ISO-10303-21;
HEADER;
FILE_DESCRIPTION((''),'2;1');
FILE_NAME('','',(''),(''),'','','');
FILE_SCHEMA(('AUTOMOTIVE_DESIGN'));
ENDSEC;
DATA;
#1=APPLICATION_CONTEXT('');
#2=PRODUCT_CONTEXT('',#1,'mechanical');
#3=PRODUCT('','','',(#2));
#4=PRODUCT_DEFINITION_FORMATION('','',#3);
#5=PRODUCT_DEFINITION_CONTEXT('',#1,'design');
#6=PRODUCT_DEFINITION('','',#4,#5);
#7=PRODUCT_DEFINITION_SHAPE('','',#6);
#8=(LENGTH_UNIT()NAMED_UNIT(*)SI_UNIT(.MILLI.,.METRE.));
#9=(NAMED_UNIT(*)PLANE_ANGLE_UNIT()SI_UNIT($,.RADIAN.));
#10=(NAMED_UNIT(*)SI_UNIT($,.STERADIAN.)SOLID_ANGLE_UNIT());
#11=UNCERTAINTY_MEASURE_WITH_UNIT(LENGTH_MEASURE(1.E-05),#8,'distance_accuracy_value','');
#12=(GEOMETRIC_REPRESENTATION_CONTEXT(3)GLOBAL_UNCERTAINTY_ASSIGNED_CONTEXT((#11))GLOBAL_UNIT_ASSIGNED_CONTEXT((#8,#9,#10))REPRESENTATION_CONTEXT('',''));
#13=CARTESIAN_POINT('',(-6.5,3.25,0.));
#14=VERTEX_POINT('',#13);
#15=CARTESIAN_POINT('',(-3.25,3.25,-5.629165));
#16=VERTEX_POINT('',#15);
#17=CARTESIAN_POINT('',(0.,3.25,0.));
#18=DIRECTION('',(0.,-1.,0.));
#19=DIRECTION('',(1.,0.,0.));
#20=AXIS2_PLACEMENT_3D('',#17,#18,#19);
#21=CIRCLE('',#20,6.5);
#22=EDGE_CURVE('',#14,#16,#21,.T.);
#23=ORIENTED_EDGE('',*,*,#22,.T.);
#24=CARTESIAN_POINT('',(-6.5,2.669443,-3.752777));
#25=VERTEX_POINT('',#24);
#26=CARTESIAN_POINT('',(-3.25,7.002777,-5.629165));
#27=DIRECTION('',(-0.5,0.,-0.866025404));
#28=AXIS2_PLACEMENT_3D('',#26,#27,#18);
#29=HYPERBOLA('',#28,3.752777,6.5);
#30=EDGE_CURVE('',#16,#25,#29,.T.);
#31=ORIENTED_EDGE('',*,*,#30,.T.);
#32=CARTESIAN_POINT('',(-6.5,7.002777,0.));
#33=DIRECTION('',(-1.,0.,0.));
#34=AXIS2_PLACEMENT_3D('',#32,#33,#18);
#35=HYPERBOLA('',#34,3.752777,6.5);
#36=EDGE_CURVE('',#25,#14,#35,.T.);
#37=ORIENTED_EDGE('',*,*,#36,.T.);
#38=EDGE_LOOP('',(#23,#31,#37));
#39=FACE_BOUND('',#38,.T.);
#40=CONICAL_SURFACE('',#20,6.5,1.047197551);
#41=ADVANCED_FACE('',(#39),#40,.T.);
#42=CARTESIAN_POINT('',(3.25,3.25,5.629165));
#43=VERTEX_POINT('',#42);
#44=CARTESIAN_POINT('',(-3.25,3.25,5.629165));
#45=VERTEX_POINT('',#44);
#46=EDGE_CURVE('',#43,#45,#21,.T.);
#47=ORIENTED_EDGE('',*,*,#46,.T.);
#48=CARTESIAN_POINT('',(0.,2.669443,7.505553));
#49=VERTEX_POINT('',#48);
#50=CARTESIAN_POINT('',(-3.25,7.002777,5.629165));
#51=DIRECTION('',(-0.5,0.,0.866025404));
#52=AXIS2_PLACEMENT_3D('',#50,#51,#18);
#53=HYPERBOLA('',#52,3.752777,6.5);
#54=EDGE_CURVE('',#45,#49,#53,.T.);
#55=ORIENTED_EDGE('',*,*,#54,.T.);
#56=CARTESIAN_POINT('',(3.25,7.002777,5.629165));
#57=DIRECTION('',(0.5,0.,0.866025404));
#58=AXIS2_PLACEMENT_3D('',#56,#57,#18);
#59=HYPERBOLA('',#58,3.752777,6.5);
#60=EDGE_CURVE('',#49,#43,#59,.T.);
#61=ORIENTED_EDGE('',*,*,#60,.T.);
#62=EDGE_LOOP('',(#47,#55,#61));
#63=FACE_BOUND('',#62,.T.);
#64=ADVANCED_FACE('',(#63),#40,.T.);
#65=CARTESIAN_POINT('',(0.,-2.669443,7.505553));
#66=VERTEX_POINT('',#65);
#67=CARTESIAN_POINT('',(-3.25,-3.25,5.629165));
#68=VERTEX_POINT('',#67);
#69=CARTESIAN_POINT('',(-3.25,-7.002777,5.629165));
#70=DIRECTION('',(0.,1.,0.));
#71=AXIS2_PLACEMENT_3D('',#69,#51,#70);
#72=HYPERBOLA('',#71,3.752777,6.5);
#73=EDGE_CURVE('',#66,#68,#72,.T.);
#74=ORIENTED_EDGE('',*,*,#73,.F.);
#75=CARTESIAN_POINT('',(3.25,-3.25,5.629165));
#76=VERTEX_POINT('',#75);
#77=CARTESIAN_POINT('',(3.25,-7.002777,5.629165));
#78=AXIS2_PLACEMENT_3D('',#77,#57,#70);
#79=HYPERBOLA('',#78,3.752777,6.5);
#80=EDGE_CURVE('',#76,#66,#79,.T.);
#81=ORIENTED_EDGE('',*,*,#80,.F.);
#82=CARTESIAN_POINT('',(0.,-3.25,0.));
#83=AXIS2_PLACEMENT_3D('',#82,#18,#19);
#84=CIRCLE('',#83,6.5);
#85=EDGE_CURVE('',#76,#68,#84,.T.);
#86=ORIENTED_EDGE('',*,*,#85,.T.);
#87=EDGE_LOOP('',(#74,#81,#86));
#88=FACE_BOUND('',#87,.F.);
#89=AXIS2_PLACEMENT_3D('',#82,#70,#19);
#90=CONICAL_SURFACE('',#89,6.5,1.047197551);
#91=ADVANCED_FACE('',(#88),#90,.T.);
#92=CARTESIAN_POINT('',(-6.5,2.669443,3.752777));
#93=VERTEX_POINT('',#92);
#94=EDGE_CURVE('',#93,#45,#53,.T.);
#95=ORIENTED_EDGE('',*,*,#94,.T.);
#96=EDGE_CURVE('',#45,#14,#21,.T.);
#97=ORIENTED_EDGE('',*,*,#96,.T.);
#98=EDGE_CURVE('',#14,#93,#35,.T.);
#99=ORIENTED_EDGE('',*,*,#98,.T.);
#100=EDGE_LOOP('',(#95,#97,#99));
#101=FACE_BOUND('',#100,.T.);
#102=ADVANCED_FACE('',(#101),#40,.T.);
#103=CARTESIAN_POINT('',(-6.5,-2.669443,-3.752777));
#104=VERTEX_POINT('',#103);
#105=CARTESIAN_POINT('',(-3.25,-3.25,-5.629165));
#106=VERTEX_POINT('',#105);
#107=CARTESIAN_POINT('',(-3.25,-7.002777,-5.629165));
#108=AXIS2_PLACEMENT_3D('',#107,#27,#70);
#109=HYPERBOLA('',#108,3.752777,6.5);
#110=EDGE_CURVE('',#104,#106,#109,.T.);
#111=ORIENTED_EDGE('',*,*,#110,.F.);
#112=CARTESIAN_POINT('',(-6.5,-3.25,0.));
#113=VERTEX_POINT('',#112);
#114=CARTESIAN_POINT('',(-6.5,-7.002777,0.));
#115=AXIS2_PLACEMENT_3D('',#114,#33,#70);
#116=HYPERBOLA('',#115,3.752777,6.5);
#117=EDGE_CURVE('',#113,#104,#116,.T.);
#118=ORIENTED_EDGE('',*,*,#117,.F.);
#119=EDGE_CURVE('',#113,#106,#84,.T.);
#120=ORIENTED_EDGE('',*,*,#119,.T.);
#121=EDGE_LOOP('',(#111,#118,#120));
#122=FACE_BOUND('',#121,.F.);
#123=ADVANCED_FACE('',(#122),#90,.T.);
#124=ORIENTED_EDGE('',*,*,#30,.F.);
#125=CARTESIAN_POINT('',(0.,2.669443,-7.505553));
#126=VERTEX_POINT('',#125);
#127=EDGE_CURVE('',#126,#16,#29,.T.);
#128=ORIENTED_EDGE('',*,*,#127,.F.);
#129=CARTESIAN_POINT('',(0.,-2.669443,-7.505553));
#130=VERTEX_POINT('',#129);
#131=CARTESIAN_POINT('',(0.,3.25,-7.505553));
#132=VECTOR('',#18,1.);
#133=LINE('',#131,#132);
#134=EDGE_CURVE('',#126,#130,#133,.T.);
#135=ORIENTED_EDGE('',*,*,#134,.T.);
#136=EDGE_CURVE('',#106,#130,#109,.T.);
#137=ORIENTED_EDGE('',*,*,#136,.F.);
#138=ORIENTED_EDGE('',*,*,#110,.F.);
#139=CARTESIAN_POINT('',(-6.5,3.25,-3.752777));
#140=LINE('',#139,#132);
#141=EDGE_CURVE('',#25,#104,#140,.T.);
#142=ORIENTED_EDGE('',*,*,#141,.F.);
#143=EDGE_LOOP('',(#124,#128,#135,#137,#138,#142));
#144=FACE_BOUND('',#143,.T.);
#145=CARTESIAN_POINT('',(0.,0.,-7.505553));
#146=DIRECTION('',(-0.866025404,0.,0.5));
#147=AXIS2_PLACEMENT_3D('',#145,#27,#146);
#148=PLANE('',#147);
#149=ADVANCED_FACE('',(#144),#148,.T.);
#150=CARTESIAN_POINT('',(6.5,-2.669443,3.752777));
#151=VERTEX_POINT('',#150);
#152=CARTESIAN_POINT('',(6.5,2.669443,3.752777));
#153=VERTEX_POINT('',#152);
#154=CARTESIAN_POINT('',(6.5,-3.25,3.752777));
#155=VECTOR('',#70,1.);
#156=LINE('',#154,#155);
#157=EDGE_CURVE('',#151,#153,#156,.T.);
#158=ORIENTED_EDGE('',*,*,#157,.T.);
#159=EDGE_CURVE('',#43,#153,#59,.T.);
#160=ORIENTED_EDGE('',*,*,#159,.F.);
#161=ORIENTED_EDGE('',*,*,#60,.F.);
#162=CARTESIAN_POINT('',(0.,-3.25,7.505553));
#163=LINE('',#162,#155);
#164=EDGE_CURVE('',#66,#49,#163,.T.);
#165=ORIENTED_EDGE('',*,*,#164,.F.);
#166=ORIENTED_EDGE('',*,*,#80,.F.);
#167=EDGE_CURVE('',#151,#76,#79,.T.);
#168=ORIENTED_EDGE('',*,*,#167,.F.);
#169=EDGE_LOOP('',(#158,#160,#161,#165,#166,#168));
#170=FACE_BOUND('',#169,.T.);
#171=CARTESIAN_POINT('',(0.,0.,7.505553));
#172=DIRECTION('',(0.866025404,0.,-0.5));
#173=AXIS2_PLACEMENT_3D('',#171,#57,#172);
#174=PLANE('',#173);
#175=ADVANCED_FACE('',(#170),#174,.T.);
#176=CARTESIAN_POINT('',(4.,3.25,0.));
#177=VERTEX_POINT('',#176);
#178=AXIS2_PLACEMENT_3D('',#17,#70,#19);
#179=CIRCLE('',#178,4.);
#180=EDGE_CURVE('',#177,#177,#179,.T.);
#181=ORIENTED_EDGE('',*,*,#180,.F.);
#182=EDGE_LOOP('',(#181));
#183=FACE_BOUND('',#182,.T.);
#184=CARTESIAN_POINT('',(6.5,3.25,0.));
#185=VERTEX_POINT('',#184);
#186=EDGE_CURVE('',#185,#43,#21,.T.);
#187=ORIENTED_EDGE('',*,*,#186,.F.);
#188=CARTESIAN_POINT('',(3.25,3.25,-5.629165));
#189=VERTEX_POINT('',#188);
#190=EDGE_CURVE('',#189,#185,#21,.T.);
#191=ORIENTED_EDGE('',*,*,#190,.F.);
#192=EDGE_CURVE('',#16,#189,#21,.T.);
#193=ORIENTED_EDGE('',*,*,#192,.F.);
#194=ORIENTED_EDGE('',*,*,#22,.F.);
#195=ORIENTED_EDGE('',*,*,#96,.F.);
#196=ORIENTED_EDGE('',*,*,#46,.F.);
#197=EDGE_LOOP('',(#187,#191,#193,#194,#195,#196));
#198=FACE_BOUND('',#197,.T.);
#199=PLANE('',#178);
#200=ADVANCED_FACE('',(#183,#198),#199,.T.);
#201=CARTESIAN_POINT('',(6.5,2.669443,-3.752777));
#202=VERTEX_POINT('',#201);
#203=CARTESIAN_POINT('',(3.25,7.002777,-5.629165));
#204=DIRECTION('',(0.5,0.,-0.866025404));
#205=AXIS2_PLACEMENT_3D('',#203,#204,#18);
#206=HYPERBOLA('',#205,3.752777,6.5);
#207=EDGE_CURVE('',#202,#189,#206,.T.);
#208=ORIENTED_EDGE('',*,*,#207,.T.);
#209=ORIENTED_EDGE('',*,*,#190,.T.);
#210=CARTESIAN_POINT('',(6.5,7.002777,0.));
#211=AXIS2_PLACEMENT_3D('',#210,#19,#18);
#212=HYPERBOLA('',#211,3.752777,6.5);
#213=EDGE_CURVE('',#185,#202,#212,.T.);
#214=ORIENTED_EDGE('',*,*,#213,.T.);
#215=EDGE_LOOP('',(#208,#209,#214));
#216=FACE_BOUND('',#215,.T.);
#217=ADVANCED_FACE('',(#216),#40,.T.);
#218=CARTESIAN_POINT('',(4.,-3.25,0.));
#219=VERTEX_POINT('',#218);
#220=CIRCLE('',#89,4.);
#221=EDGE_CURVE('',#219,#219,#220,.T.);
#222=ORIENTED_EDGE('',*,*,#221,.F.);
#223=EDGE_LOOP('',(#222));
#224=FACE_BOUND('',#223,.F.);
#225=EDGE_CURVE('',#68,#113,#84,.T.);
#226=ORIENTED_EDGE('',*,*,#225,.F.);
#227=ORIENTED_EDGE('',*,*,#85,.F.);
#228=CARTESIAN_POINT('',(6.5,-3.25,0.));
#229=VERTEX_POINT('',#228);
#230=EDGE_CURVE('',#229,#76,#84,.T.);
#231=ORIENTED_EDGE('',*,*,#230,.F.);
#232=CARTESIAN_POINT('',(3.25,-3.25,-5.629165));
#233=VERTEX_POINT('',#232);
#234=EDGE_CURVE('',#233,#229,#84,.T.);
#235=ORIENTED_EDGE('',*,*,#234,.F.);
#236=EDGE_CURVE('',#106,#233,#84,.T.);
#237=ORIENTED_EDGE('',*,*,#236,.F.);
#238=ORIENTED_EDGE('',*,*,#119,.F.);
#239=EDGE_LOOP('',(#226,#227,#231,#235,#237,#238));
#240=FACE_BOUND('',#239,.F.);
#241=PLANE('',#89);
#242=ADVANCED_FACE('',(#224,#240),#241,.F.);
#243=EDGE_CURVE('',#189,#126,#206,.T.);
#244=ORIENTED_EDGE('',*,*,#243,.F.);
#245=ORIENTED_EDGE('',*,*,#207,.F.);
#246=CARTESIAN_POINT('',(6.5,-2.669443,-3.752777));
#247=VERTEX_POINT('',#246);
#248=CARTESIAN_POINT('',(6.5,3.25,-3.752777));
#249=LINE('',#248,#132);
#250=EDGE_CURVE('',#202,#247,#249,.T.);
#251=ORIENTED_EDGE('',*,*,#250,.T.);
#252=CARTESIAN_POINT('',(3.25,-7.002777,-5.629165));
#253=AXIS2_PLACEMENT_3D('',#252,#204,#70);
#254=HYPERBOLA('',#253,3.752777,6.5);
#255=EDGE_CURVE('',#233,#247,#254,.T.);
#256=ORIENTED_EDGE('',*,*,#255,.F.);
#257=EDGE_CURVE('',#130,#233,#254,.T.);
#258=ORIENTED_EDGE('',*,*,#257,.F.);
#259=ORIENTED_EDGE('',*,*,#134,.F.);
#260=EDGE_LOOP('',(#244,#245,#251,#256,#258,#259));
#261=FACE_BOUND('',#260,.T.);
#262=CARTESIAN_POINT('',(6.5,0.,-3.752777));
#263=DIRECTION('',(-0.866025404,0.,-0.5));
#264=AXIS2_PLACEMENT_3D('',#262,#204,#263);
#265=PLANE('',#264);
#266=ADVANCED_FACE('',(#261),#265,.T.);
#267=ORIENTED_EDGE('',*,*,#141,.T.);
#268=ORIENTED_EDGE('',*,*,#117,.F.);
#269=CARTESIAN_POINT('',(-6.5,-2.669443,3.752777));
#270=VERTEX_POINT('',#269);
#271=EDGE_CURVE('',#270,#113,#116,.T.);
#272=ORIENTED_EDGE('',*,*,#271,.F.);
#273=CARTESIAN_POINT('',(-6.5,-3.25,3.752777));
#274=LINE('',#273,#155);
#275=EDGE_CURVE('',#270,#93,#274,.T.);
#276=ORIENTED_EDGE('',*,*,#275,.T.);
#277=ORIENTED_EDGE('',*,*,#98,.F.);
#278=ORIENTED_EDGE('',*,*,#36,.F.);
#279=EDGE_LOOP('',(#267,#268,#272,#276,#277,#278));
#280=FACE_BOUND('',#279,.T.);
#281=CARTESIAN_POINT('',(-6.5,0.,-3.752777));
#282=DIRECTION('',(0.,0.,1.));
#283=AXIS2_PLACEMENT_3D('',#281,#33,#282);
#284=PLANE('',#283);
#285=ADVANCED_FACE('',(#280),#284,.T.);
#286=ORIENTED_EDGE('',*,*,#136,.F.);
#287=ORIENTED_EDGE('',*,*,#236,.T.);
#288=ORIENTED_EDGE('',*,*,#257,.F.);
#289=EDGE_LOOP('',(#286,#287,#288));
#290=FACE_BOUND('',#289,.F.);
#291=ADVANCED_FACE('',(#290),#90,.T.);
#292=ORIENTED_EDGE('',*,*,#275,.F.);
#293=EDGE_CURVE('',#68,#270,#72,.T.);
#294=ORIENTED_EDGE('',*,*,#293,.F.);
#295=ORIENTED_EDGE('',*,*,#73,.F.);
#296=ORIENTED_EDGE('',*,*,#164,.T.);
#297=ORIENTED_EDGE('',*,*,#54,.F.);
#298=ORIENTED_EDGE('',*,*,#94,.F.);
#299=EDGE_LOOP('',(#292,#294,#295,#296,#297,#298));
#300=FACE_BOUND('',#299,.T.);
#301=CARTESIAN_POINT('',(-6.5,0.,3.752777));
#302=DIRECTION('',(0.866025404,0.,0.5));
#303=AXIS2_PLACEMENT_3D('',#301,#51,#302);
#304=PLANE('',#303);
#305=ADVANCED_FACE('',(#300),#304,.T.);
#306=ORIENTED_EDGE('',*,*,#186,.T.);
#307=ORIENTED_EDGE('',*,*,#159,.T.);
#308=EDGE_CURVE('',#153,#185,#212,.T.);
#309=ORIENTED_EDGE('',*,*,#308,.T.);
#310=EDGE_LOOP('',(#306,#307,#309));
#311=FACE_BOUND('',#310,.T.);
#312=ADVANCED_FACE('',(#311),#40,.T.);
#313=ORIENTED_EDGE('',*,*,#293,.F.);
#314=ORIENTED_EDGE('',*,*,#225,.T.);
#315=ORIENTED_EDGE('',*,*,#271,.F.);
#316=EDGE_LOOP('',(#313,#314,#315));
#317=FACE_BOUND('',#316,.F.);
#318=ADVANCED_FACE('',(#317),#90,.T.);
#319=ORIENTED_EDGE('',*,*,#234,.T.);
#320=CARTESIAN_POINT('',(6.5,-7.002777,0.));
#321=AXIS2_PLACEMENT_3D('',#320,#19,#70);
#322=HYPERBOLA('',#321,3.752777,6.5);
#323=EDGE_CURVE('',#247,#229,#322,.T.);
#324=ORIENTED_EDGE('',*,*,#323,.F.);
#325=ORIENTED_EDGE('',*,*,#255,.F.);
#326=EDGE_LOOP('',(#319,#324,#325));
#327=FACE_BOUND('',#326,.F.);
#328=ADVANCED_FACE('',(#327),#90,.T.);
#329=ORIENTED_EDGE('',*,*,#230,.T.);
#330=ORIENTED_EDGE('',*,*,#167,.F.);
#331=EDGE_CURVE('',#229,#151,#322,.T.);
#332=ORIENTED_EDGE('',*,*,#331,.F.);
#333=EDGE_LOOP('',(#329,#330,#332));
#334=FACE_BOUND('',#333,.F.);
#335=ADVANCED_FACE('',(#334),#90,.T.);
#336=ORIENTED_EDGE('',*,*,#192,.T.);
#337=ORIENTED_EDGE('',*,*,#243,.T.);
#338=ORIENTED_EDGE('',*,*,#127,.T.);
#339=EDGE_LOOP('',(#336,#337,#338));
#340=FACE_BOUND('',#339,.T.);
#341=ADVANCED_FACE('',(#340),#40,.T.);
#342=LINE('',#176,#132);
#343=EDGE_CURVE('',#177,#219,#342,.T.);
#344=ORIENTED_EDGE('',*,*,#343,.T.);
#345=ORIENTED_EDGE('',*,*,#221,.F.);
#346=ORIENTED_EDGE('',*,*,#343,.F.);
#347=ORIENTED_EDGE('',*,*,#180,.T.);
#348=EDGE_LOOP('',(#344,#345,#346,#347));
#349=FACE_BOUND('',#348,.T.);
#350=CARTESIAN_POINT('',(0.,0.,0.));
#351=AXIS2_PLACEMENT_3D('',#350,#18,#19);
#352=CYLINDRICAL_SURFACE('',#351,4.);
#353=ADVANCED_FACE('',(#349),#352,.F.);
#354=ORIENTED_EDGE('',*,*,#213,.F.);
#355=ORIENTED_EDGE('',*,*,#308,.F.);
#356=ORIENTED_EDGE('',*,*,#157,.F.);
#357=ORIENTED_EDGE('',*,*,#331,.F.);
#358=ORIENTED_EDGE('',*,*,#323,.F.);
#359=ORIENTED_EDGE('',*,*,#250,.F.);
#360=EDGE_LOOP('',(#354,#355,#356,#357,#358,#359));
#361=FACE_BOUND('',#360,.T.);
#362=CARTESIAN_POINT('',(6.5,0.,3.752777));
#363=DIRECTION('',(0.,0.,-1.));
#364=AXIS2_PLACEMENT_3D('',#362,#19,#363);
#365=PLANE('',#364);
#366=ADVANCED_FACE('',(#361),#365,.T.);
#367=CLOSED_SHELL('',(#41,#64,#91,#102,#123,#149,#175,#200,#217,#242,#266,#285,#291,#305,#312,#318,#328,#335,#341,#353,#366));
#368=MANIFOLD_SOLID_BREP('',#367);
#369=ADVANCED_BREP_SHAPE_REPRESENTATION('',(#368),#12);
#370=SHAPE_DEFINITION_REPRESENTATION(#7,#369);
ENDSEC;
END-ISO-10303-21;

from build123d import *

# Parameters (mm, degrees)
SKETCH1_R           = 4
BOSS_EXTRUDE1_DEPTH = 3.25
SKETCH5_OUTSIDE_W   = 45.16
SKETCH5_OUTSIDE_H   = 47.172
SKETCH5_OUTSIDE_R   = 6.5
CUT_EXTRUDE2_DEPTH  = 7.5
CUT_EXTRUDE2_TAPER  = 60


with BuildPart() as part:
    # Sketch1 → Boss-Extrude1 (new body, symmetric)
    with BuildSketch(Plane(origin=(0, 0, 0), x_dir=(1, 0, 0), z_dir=(0, 1, 0))):
        Polygon((-6.5, 3.75277675), (-6.5, -3.75277675), (0, -7.505553499), (6.5, -3.75277675), (6.5, 3.75277675), (0, 7.505553499), align=None)
        Circle(SKETCH1_R, mode=Mode.SUBTRACT)
    extrude(amount=BOSS_EXTRUDE1_DEPTH, both=True)

    # Sketch5 outside → Cut-Extrude2 (cut, through all)
    with BuildSketch(Plane(origin=(0, 3.25, 0), x_dir=(1, 0, 0), z_dir=(0, 1, 0))):
        Rectangle(SKETCH5_OUTSIDE_W, SKETCH5_OUTSIDE_H)
        Circle(SKETCH5_OUTSIDE_R, mode=Mode.SUBTRACT)
    cut_extrude2 = extrude(amount=-CUT_EXTRUDE2_DEPTH, taper=CUT_EXTRUDE2_TAPER, mode=Mode.SUBTRACT)

    # Mirror1: Cut-Extrude2 across plane
    add(cut_extrude2.mirror(Plane.ZX), mode=Mode.SUBTRACT)


solid = part.part
